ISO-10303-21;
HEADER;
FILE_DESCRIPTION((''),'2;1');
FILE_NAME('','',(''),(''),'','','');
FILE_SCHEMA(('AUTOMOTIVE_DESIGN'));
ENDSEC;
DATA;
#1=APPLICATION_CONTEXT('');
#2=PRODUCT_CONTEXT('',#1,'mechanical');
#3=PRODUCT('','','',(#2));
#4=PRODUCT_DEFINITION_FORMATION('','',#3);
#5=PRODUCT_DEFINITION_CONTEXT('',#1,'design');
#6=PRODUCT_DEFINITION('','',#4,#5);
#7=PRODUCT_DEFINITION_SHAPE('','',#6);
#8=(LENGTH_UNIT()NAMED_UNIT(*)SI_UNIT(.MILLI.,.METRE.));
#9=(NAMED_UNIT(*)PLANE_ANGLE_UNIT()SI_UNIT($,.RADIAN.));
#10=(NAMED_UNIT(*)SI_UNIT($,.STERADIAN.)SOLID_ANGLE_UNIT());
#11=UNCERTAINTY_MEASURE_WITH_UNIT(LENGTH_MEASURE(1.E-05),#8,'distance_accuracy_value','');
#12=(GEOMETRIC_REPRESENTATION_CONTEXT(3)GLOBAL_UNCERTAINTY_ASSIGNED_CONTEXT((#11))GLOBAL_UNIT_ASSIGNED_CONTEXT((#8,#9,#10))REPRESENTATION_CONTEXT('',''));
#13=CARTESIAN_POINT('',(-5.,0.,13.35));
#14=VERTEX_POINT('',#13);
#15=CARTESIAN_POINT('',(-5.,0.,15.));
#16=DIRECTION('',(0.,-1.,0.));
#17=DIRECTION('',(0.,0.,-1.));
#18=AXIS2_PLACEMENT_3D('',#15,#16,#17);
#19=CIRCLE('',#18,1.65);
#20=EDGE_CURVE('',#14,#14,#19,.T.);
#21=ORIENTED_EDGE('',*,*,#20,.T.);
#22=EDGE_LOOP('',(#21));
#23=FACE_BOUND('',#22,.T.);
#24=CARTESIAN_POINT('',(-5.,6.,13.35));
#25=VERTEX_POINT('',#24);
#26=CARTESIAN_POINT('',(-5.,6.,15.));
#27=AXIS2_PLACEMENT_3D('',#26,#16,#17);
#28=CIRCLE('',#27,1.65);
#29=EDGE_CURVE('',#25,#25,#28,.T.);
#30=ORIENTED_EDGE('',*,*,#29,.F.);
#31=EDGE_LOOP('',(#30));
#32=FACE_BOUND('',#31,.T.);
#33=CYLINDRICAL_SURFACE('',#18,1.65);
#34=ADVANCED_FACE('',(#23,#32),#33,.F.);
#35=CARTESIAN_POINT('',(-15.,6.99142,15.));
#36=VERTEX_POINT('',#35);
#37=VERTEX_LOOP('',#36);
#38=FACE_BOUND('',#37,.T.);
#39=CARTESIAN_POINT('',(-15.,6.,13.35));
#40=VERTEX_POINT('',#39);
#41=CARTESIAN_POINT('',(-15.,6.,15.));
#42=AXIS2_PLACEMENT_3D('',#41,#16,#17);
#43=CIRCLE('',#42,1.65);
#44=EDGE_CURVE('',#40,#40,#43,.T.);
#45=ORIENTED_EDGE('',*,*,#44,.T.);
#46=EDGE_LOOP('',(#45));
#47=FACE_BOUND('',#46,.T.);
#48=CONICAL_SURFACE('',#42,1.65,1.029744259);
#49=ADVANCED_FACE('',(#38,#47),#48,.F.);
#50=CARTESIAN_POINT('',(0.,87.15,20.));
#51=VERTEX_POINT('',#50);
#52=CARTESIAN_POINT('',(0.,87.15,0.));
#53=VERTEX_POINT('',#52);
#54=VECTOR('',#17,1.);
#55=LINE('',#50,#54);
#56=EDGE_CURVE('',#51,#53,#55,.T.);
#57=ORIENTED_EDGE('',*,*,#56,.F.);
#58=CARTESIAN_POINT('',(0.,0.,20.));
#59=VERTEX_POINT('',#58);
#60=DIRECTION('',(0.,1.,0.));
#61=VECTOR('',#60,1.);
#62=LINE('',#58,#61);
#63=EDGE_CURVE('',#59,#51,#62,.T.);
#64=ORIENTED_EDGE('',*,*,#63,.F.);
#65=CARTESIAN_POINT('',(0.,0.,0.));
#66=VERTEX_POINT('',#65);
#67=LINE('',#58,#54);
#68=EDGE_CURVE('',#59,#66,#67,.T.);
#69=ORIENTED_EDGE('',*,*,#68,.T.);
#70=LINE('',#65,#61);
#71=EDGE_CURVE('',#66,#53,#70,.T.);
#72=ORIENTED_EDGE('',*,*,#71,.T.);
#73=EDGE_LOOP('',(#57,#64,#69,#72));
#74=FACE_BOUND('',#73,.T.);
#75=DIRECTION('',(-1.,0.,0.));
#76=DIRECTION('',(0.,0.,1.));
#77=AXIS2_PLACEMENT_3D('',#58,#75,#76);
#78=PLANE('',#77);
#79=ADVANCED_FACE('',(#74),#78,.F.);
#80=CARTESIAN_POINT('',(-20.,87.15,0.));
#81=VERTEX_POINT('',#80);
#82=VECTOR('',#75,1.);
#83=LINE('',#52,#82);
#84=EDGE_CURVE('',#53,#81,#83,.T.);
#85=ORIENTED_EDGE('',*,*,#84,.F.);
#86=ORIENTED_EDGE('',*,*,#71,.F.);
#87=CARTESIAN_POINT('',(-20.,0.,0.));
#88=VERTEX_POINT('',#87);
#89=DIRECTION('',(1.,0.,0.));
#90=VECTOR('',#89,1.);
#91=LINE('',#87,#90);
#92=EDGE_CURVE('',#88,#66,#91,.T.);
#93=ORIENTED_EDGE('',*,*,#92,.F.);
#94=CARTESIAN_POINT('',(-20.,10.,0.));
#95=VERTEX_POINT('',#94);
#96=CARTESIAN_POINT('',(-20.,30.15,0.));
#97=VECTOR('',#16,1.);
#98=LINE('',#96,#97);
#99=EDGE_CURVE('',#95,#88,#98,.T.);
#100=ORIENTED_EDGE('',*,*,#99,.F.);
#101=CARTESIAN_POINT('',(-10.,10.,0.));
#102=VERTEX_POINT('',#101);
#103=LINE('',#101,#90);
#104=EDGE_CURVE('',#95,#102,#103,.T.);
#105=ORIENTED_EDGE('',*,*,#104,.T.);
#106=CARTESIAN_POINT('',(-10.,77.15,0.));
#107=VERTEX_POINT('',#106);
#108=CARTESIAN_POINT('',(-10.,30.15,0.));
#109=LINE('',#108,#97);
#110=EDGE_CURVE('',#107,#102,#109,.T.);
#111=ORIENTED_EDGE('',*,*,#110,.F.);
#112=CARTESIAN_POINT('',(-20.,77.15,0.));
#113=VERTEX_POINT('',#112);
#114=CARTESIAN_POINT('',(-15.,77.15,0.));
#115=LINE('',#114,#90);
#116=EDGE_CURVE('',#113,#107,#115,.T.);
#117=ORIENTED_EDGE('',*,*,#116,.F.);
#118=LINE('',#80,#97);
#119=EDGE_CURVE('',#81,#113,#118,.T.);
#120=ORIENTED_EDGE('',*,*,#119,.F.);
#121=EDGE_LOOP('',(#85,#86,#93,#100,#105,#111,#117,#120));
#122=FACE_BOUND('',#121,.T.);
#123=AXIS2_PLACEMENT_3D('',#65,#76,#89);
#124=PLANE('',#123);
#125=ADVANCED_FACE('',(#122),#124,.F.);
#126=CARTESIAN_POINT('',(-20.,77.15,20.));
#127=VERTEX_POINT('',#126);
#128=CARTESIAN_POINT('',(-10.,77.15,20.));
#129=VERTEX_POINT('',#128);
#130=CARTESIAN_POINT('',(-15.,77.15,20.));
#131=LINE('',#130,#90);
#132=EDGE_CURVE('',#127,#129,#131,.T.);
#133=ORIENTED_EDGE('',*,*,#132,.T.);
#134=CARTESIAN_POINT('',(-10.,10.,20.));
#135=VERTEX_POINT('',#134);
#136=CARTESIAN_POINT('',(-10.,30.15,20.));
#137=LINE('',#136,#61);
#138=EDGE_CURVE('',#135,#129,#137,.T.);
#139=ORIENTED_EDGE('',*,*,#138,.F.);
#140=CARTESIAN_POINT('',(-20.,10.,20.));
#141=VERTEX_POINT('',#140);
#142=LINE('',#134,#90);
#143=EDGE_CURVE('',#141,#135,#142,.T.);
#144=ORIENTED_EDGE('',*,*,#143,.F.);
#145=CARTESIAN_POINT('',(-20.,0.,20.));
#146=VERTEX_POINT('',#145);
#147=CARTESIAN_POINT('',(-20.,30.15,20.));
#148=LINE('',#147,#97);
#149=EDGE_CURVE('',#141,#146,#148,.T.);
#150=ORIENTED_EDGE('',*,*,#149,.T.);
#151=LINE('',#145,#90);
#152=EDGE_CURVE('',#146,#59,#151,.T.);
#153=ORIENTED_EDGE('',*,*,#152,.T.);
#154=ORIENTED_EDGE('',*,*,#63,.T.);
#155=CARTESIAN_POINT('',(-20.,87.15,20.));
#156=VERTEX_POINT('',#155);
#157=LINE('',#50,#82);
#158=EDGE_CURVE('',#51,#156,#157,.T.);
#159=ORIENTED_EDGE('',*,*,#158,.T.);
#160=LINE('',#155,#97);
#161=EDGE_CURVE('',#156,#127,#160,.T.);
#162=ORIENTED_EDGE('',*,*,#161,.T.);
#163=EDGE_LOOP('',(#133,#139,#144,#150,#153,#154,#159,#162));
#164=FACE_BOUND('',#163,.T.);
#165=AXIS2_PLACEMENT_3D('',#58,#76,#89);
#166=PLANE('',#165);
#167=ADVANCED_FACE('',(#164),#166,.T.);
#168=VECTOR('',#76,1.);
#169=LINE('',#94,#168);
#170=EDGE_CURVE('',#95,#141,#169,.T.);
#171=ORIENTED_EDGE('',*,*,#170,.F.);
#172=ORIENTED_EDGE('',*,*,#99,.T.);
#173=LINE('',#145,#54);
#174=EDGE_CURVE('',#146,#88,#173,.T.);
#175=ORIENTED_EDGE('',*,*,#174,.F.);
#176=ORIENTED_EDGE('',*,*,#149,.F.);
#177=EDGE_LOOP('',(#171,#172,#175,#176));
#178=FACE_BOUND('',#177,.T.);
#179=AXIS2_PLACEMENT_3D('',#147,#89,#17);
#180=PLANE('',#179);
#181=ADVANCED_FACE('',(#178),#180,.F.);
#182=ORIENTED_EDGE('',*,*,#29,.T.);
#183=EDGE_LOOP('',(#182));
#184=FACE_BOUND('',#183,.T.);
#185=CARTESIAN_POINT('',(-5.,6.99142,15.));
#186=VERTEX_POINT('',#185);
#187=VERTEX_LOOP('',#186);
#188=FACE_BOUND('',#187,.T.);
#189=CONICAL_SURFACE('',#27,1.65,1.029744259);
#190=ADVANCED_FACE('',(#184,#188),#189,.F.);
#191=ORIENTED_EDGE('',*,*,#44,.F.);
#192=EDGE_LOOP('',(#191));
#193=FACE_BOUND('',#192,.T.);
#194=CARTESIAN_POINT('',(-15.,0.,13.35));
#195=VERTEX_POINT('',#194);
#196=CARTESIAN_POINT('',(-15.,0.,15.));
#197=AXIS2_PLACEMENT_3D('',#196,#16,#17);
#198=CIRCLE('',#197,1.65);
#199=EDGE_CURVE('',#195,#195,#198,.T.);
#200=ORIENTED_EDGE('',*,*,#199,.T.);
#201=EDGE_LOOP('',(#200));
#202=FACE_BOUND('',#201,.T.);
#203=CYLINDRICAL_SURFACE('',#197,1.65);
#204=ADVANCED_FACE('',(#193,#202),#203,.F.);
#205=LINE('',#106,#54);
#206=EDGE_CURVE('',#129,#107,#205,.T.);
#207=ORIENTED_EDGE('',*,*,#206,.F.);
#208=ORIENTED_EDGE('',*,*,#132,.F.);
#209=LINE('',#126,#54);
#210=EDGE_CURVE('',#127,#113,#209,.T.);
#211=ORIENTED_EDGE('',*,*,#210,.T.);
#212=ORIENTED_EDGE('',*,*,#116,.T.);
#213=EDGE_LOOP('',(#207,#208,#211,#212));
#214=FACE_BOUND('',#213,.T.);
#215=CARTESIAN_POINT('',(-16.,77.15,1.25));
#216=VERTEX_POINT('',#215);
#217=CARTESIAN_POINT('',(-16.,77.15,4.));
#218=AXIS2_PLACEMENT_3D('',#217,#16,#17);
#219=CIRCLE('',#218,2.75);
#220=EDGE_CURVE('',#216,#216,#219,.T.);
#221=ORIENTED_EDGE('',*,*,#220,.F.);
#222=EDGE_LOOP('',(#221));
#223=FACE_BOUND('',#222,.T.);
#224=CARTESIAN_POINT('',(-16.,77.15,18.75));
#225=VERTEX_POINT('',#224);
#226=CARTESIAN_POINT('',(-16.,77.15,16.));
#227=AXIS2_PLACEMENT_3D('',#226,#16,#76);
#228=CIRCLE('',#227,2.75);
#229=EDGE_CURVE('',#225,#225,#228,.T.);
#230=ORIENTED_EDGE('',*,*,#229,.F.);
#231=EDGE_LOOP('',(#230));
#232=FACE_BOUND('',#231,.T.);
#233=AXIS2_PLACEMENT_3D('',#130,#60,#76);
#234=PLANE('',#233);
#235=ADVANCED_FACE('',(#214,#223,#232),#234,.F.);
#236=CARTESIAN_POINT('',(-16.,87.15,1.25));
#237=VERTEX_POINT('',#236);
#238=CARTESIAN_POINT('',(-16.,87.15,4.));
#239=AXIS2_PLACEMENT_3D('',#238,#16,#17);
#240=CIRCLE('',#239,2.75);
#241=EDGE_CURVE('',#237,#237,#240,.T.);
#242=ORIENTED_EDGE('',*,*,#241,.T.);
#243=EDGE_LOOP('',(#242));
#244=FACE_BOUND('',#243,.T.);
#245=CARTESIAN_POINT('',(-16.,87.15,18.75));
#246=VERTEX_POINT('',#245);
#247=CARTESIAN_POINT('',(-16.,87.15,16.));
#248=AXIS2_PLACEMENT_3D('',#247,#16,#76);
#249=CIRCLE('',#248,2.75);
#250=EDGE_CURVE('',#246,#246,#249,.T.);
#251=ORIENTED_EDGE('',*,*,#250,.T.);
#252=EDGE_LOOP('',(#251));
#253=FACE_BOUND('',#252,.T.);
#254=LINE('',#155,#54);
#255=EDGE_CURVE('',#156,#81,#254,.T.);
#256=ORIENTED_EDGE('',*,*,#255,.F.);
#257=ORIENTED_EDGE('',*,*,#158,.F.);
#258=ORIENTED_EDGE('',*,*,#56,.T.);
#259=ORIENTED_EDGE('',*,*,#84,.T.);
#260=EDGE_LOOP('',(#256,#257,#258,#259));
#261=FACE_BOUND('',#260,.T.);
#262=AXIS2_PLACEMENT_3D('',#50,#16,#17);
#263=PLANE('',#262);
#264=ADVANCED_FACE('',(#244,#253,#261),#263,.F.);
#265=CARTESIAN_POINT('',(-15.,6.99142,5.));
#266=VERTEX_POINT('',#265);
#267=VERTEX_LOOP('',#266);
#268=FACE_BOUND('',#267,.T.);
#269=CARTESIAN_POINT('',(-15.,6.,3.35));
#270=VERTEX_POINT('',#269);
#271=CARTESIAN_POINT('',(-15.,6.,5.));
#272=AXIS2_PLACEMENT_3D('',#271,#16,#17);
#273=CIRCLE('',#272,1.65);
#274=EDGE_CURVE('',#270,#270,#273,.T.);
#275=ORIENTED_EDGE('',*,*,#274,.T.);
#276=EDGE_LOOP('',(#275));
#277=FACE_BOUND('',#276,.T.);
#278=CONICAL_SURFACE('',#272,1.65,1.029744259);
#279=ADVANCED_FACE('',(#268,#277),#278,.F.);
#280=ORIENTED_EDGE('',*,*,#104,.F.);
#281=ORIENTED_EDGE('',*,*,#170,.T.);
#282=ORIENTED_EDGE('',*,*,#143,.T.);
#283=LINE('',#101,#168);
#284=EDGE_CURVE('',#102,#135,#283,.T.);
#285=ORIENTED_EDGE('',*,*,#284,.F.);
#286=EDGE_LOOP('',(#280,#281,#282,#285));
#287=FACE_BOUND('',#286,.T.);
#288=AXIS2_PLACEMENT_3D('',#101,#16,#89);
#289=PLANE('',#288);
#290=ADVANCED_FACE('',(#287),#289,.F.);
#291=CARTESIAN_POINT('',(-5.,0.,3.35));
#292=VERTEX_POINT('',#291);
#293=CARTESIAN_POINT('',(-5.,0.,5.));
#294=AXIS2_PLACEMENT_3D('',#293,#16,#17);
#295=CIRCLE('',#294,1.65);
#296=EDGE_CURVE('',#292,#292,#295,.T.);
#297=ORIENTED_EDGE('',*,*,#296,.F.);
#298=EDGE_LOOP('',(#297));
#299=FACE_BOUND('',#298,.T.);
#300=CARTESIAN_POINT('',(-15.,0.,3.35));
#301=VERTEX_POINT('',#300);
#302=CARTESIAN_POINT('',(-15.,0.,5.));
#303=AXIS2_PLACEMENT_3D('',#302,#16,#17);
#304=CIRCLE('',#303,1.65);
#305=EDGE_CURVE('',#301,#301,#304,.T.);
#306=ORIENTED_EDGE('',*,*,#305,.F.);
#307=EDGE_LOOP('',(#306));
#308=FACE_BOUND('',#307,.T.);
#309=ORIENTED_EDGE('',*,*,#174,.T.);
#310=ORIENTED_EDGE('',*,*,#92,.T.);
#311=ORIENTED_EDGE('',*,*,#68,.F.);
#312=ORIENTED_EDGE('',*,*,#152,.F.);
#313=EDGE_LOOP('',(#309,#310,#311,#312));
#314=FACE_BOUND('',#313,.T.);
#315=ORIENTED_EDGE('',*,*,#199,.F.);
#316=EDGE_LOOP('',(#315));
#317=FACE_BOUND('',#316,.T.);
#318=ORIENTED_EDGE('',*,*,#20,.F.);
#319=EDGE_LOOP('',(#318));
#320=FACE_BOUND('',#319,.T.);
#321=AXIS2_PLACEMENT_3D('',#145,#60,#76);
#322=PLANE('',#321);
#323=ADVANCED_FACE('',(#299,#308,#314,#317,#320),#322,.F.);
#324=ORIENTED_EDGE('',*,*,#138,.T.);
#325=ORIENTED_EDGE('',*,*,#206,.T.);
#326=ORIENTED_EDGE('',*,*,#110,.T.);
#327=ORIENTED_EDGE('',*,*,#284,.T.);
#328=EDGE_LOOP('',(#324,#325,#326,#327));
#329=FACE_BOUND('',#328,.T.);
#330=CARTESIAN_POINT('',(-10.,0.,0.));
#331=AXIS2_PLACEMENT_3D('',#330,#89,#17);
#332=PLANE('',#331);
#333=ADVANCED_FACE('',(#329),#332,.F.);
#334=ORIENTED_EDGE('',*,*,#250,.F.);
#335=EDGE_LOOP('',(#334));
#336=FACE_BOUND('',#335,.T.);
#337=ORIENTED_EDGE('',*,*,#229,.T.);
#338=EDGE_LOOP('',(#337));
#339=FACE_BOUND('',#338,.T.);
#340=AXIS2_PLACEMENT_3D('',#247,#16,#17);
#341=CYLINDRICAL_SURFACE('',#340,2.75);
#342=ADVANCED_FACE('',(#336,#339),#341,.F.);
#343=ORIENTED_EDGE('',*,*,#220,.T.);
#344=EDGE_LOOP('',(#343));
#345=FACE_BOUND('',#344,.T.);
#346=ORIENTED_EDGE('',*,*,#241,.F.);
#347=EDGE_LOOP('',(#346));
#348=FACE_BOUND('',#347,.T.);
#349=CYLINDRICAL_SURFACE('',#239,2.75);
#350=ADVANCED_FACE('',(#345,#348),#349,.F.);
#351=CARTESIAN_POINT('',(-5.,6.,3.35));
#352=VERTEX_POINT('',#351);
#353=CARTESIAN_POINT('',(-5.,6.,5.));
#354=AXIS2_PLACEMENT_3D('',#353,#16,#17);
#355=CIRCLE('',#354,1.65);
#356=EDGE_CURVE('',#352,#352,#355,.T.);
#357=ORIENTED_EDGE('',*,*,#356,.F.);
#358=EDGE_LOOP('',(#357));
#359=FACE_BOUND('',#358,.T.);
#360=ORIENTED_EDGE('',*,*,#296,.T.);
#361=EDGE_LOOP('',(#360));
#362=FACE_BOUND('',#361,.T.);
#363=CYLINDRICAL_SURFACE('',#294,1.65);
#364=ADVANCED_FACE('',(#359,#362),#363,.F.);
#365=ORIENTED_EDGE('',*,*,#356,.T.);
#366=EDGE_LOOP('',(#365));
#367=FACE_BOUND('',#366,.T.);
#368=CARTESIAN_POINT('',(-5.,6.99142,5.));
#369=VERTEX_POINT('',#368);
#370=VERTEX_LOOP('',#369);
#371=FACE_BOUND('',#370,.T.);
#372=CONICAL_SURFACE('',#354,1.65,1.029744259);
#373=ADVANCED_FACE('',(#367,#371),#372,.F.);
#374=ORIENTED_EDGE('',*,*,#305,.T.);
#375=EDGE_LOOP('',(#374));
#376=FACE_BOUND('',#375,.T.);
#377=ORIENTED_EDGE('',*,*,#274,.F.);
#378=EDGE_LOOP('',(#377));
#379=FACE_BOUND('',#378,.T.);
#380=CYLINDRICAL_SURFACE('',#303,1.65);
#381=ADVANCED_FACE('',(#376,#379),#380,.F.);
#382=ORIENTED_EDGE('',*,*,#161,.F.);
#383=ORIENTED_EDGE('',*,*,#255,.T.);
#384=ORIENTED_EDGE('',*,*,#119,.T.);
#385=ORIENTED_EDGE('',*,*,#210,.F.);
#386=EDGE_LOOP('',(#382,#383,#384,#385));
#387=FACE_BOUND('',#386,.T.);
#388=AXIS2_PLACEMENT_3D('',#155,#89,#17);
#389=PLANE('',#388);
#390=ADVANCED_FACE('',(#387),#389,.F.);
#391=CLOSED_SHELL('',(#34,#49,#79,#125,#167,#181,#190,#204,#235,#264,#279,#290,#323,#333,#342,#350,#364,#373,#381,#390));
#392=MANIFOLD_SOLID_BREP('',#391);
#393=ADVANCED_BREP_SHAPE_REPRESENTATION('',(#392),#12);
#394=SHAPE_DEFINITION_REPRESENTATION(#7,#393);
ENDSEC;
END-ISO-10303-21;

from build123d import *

# Parameters (mm, degrees)
EXTRUDE_1_DEPTH             = 20
HOLE_WIZARD_M4_1_AT_2_COUNT = 2
HOLE_WIZARD_M4_1_AT_2_PITCH = 10
HOLE_WIZARD_M4_1_AT_3_COUNT = 2
HOLE_WIZARD_M4_1_AT_3_PITCH = 10
HOLE_WIZARD_M4_1_AT_4_COUNT = 2
HOLE_WIZARD_M4_1_AT_4_PITCH = 14.142135624
SKETCH_5_W                  = 20
SKETCH_5_H                  = 20
EXTRUDE_2_DEPTH             = 10
SKETCH_6_W                  = 20
SKETCH_6_H                  = 47
CUT_EXTRUDE_2_DEPTH         = 5
SKETCH_7_W                  = 10
SKETCH_7_H                  = 20.15
CUT_EXTRUDE_3_DEPTH         = 21
SKETCH_8_R                  = 2.75
CUT_EXTRUDE_4_DEPTH         = 11


with BuildPart() as part:
    # 草图1 → 凸台-拉伸1 (new body)
    with BuildSketch(Plane.XY):
        Polygon((-20, 30.15), (-15, 30.15), (-15, 77.15), (-20, 77.15), (-20, 87.15), (0, 87.15), (0, 0), (-20, 0), align=None)
    extrude(amount=EXTRUDE_1_DEPTH)

    # 草图3 → M4 螺纹孔1 (revolve, cut)
    with BuildSketch(Plane(origin=(-15, 87.15, 5), x_dir=(0, 0, 1), z_dir=(1, 0, 0))):
        Polygon((0, 0), (0, 6.991420021), (1.65, 6), (1.65, 0), align=None)
    hole_wizard_m4_1 = revolve(axis=Axis((-15, 93.5, 5), (0, -1, 0)), mode=Mode.SUBTRACT)

    # M4 螺纹孔1 at 2: M4 螺纹孔1 ×2
    with Locations(*[(i * HOLE_WIZARD_M4_1_AT_2_PITCH, 0, 0) for i in range(1, HOLE_WIZARD_M4_1_AT_2_COUNT)]):
        add(hole_wizard_m4_1, mode=Mode.SUBTRACT)

    # M4 螺纹孔1 at 3: M4 螺纹孔1 ×2
    with Locations(*[(0, 0, i * HOLE_WIZARD_M4_1_AT_3_PITCH) for i in range(1, HOLE_WIZARD_M4_1_AT_3_COUNT)]):
        add(hole_wizard_m4_1, mode=Mode.SUBTRACT)

    # M4 螺纹孔1 at 4: M4 螺纹孔1 ×2
    with Locations(*[Vector(0.707106781, 0, 0.707106781) * (i * HOLE_WIZARD_M4_1_AT_4_PITCH) for i in range(1, HOLE_WIZARD_M4_1_AT_4_COUNT)]):
        add(hole_wizard_m4_1, mode=Mode.SUBTRACT)

    # 镜向1: M4 螺纹孔1 across plane
    add(hole_wizard_m4_1.mirror(Plane.ZX.offset(43.575)), mode=Mode.SUBTRACT)

    # 镜向1 copy 1 sketch → 镜向1 copy 1 (revolve, cut)
    with BuildSketch(Plane(origin=(-5, 0, 5), x_dir=(0, 0, 1), z_dir=(1, 0, 0))):
        Polygon((0, 0), (0, -6.991420021), (1.65, -6), (1.65, 0), align=None)
    revolve(axis=Axis((-5, -6.35, 5), (0, -1, 0)), mode=Mode.SUBTRACT)

    # 镜向1 copy 2 sketch → 镜向1 copy 2 (revolve, cut)
    with BuildSketch(Plane(origin=(-15, 0, 15), x_dir=(0, 0, 1), z_dir=(1, 0, 0))):
        Polygon((0, 0), (0, -6.991420021), (1.65, -6), (1.65, 0), align=None)
    revolve(axis=Axis((-15, -6.35, 15), (0, -1, 0)), mode=Mode.SUBTRACT)

    # 镜向1 copy 3 sketch → 镜向1 copy 3 (revolve, cut)
    with BuildSketch(Plane(origin=(-5, 0, 15), x_dir=(0, 0, 1), z_dir=(1, 0, 0))):
        Polygon((0, 0), (0, -6.991420021), (1.65, -6), (1.65, 0), align=None)
    revolve(axis=Axis((-5, -6.35, 15), (0, -1, 0)), mode=Mode.SUBTRACT)

    # 草图5 → 凸台-拉伸2 (add)
    with BuildSketch(Plane(origin=(0, 87.15, 0), x_dir=(1, 0, 0), z_dir=(0, 1, 0))):
        with Locations((-10, -10)):
            Rectangle(SKETCH_5_W, SKETCH_5_H)
    extrude(amount=-EXTRUDE_2_DEPTH)

    # 草图6 → 切除-拉伸2 (cut)
    with BuildSketch(Plane.ZY.offset(15)):
        with Locations((10, 53.65)):
            Rectangle(SKETCH_6_W, SKETCH_6_H)
    extrude(amount=-CUT_EXTRUDE_2_DEPTH, mode=Mode.SUBTRACT)

    # 草图7 → 切除-拉伸3 (cut, through all)
    with BuildSketch(Plane.XY.offset(20)):
        with Locations((-15, 20.075)):
            Rectangle(SKETCH_7_W, SKETCH_7_H)
    extrude(amount=-CUT_EXTRUDE_3_DEPTH, mode=Mode.SUBTRACT)

    # 草图8 → 切除-拉伸4 (cut, through all)
    with BuildSketch(Plane.XZ.offset(-77.15)):
        with Locations((-16, 4)):
            Circle(SKETCH_8_R)
        with Locations((-16, 16)):
            Circle(SKETCH_8_R)
    extrude(amount=-CUT_EXTRUDE_4_DEPTH, mode=Mode.SUBTRACT)


solid = part.part
